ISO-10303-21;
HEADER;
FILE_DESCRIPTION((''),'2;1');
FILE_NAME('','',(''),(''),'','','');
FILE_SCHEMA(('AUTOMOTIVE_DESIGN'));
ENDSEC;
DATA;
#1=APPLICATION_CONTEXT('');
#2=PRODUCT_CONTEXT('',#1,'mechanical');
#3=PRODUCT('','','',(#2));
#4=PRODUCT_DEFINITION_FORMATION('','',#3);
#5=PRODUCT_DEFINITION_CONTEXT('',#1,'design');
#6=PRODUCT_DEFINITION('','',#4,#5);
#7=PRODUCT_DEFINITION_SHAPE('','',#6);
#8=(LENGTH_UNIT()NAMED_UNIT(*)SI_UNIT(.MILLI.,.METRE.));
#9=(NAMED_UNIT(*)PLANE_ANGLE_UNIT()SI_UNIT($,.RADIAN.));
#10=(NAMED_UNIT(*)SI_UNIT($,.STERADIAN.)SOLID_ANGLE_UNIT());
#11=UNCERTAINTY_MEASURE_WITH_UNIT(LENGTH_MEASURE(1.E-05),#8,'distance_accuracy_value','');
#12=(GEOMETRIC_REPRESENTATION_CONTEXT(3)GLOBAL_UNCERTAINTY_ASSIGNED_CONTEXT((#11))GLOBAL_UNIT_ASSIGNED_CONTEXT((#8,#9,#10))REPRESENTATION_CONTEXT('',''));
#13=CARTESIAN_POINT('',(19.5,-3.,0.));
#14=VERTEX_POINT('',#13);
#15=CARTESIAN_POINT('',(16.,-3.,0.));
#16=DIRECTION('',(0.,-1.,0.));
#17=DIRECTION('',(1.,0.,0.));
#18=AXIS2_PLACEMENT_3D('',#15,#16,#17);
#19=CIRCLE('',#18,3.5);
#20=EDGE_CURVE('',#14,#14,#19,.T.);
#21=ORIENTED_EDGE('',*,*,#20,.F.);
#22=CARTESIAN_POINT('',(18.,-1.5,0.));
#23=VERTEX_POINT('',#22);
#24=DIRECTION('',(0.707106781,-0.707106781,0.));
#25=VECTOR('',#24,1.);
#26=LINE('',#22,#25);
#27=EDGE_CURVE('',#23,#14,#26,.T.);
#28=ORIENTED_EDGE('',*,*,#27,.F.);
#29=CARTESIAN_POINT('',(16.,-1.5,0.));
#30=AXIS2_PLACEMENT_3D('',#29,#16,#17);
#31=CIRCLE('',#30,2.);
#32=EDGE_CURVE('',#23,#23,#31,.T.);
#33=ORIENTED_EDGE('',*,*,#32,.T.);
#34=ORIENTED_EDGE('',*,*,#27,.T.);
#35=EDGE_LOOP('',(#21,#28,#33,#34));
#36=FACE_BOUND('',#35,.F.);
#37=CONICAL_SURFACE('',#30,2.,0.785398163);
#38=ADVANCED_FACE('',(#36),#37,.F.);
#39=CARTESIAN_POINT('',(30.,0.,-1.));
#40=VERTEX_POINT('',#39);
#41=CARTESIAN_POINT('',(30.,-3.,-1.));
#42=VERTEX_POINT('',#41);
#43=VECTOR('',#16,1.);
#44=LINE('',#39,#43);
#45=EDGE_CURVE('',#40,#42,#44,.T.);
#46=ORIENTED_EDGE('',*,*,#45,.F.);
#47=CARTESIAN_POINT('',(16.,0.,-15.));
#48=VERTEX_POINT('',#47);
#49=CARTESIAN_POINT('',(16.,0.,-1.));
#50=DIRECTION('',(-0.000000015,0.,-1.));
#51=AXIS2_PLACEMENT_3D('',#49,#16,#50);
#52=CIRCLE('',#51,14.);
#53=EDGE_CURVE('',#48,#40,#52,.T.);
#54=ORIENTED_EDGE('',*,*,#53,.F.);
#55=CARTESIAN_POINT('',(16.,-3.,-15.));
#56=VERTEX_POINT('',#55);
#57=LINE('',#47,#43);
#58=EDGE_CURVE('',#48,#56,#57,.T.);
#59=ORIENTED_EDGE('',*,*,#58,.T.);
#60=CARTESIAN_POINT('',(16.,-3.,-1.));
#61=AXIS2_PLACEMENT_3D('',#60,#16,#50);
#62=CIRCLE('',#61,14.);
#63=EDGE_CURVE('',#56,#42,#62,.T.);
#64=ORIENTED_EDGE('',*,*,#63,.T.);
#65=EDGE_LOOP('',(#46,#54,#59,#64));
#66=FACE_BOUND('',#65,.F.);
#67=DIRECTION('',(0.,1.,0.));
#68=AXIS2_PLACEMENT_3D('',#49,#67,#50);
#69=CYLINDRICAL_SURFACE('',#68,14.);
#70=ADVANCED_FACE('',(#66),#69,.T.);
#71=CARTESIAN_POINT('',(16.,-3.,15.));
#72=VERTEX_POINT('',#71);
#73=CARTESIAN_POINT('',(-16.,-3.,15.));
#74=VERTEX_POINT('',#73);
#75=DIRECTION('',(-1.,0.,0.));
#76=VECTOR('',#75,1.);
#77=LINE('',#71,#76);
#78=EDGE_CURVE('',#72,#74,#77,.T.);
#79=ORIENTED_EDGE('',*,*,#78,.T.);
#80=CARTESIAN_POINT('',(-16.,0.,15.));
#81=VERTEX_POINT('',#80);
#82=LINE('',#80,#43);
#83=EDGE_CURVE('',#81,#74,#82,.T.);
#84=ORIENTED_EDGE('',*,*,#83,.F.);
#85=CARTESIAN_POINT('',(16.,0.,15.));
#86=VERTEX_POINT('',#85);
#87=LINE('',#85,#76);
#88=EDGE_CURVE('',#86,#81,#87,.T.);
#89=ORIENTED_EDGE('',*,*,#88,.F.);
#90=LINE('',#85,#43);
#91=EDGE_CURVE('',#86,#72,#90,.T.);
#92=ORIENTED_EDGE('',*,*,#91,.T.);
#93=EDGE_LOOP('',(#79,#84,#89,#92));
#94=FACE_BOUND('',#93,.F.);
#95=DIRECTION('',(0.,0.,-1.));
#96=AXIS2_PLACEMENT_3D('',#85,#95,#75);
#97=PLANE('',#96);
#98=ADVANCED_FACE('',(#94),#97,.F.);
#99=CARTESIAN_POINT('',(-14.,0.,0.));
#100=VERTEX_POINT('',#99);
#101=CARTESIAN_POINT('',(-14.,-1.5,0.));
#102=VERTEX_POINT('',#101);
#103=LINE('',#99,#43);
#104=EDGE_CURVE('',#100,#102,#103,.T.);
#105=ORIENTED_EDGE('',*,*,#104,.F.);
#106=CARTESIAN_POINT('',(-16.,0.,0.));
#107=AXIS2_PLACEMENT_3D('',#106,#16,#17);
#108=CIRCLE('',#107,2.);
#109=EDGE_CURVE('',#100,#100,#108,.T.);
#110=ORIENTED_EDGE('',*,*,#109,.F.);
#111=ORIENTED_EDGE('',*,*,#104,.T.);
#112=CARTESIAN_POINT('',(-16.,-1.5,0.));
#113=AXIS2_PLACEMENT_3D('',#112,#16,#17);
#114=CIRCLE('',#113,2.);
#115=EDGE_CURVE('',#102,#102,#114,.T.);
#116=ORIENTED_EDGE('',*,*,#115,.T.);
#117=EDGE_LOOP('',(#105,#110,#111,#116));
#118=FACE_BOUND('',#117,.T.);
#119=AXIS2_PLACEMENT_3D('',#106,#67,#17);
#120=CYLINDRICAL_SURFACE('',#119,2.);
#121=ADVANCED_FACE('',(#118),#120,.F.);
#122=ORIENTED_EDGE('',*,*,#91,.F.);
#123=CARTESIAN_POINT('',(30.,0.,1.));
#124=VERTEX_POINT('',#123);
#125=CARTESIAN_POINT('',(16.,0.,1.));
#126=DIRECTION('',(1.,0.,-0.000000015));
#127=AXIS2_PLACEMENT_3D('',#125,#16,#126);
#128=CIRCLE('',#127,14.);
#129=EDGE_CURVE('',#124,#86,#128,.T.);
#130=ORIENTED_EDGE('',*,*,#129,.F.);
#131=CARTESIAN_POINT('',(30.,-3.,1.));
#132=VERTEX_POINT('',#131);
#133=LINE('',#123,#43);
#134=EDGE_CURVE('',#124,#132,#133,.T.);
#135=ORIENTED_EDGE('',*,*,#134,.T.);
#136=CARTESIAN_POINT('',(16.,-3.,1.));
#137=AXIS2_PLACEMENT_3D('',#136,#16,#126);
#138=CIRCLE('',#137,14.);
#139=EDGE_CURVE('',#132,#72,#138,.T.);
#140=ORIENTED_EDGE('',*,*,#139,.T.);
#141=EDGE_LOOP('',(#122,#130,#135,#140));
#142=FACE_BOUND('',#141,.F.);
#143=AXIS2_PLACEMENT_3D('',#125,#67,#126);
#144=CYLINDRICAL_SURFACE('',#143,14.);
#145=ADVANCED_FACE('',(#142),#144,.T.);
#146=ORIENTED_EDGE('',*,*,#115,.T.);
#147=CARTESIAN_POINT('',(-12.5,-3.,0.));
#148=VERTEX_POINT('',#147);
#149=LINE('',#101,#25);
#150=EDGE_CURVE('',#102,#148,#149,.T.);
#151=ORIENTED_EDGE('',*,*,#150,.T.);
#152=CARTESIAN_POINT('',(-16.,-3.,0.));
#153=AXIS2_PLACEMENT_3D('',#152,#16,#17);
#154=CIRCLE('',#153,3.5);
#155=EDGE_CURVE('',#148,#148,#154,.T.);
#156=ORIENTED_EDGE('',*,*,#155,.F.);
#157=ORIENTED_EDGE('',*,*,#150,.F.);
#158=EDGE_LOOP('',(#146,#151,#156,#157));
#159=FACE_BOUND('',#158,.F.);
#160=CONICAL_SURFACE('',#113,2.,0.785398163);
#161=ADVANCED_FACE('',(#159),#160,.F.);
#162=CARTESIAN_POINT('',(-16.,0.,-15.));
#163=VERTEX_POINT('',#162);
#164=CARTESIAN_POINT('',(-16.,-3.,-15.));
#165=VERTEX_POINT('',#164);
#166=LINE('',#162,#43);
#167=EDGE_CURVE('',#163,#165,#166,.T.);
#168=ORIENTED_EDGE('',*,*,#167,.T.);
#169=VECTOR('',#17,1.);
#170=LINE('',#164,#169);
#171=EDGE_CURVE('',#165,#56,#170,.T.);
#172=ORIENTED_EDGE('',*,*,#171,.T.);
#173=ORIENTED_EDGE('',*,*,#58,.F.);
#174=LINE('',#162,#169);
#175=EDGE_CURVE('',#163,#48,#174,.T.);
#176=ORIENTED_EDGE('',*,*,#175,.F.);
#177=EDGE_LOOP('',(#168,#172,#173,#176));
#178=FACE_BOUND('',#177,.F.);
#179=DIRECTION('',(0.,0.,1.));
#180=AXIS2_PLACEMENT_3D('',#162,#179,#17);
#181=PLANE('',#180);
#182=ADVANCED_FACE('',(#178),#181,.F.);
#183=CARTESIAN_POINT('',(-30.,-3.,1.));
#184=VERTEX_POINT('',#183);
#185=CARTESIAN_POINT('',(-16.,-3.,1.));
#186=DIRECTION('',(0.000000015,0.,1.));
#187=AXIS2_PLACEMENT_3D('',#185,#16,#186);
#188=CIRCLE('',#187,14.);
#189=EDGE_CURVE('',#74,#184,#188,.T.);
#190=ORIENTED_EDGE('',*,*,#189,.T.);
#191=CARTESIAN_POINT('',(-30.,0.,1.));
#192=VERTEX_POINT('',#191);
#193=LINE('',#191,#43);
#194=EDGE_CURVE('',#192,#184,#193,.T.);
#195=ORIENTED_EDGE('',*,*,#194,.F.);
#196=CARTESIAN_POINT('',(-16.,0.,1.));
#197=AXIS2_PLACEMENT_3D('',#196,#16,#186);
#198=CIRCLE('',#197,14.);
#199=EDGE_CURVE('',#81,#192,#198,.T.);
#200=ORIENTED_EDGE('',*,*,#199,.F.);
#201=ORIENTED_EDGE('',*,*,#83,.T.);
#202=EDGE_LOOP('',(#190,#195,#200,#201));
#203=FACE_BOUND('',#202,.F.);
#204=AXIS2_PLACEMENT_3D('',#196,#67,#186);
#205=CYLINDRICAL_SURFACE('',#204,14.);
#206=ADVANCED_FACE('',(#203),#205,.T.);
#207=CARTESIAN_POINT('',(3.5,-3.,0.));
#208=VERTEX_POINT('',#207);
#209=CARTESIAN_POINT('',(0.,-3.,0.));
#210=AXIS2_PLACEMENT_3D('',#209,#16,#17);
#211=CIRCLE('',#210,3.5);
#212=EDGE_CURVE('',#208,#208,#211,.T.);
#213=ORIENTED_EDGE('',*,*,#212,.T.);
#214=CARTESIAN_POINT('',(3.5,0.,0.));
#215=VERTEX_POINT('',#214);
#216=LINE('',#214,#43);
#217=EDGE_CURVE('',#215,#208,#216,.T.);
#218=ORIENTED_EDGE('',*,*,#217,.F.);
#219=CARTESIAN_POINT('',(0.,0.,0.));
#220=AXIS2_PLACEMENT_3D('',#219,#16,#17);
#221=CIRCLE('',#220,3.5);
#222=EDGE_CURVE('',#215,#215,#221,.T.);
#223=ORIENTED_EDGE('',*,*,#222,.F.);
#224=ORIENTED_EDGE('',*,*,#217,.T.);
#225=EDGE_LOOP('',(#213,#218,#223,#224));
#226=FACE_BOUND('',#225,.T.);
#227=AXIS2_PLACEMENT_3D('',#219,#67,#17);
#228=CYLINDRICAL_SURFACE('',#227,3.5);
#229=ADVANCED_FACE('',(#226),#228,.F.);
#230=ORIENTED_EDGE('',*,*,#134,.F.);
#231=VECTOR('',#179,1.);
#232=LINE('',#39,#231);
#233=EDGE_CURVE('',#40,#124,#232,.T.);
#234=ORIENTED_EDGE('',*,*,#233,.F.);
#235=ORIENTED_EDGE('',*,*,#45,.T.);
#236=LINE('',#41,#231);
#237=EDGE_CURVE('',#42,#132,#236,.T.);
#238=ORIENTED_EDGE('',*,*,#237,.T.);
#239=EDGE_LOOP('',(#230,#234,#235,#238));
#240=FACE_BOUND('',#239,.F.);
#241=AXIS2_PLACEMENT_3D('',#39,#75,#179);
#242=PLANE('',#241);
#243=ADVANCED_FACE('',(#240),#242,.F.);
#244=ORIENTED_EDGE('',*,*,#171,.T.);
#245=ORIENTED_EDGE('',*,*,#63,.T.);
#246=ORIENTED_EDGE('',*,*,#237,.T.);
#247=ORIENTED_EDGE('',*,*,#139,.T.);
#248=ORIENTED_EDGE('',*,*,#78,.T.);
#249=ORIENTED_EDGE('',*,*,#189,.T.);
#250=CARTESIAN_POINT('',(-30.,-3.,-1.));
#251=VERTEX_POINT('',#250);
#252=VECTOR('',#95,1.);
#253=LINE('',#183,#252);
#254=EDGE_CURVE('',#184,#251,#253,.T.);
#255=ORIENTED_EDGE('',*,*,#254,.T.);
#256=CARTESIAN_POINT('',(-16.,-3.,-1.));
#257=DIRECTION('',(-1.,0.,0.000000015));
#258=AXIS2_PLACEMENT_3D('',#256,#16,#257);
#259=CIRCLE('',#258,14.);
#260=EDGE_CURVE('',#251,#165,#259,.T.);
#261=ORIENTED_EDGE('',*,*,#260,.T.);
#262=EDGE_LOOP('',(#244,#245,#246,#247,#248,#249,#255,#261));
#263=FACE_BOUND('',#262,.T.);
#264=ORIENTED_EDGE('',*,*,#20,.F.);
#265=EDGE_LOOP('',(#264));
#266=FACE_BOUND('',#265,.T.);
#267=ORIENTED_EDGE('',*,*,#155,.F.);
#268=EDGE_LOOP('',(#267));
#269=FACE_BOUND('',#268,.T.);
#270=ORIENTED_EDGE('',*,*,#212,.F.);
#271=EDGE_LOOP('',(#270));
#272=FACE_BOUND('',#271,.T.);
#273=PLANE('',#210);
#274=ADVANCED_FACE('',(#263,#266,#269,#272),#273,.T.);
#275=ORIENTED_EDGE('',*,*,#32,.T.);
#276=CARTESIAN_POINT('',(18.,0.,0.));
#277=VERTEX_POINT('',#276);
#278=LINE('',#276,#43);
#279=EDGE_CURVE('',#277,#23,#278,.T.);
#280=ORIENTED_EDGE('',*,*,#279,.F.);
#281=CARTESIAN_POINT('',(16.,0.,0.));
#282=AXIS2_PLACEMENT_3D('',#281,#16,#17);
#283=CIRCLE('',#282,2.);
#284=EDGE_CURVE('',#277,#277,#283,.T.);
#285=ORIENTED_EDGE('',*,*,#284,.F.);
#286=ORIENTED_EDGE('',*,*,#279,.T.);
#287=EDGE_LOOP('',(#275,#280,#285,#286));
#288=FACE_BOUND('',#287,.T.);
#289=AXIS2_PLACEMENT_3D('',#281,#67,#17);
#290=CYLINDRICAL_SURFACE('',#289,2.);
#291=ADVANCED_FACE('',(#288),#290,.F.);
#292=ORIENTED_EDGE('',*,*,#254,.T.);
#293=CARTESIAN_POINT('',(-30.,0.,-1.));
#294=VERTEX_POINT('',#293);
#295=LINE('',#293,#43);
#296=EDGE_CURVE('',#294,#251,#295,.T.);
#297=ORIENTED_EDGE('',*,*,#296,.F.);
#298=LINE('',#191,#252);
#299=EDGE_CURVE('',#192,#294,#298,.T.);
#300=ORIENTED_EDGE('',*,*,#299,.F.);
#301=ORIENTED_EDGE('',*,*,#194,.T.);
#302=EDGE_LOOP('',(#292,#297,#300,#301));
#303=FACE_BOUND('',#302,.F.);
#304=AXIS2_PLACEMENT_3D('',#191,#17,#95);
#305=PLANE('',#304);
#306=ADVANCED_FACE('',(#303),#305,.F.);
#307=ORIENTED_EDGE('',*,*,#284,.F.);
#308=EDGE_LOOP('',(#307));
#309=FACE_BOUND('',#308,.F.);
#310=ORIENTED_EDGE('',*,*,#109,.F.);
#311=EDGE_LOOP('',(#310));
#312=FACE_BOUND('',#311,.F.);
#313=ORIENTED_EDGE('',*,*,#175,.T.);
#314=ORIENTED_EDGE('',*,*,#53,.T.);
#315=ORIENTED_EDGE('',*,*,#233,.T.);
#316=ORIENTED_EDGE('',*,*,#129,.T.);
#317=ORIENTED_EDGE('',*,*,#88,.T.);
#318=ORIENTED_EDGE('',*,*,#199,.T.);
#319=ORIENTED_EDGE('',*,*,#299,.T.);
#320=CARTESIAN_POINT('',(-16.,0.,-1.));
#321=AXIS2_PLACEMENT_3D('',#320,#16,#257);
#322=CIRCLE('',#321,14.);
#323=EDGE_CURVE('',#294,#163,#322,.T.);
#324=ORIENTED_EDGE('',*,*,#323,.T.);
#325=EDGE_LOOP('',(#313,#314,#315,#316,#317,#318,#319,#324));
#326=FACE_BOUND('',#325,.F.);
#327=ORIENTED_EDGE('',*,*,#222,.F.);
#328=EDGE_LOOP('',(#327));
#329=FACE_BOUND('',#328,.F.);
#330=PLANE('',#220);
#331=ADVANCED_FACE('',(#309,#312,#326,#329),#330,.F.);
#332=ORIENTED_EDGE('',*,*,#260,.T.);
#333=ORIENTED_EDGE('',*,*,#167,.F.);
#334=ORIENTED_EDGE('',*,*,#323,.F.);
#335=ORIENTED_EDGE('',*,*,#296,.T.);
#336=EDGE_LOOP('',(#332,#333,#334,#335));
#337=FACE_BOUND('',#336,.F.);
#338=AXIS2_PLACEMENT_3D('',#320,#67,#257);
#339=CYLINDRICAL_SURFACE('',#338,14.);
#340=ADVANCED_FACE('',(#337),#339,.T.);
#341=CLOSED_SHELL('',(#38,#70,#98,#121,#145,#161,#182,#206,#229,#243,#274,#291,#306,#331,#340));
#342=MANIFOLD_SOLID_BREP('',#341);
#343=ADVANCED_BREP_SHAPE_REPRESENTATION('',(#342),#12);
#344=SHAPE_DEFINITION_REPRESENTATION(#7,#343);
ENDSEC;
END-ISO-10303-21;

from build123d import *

# Parameters (mm, degrees)
F0_R     = 2
F0_R_2   = 3.5
F1_DEPTH = 3
F2_SIZE  = 1.5


with BuildPart() as f1:
    # F0 (on Front) → F1 (new body)
    with BuildSketch(Plane.XZ):
        with BuildLine():
            Line((-16, -15), (16, -15))
            ThreePointArc((16, -15), (25.899495, -10.899495), (30, -1))
            Line((30, -1), (30, 1))
            ThreePointArc((30, 1), (25.899495, 10.899495), (16, 15))
            Line((16, 15), (-16, 15))
            ThreePointArc((-16, 15), (-25.899495, 10.899495), (-30, 1))
            Line((-30, 1), (-30, -1))
            ThreePointArc((-30, -1), (-25.899495, -10.899495), (-16, -15))
        make_face()
        with Locations((-16, 0)):
            Circle(F0_R, mode=Mode.SUBTRACT)
        Circle(F0_R_2, mode=Mode.SUBTRACT)
        with Locations((16, 0)):
            Circle(F0_R, mode=Mode.SUBTRACT)
    extrude(amount=F1_DEPTH)

    # F2
    f2_edges = [f1.edges().sort_by_distance(p)[0] for p in [
        (-18, -3, 0),
        (14, -3, 0),
    ]]
    chamfer(f2_edges, length=F2_SIZE)


solid = f1.part
